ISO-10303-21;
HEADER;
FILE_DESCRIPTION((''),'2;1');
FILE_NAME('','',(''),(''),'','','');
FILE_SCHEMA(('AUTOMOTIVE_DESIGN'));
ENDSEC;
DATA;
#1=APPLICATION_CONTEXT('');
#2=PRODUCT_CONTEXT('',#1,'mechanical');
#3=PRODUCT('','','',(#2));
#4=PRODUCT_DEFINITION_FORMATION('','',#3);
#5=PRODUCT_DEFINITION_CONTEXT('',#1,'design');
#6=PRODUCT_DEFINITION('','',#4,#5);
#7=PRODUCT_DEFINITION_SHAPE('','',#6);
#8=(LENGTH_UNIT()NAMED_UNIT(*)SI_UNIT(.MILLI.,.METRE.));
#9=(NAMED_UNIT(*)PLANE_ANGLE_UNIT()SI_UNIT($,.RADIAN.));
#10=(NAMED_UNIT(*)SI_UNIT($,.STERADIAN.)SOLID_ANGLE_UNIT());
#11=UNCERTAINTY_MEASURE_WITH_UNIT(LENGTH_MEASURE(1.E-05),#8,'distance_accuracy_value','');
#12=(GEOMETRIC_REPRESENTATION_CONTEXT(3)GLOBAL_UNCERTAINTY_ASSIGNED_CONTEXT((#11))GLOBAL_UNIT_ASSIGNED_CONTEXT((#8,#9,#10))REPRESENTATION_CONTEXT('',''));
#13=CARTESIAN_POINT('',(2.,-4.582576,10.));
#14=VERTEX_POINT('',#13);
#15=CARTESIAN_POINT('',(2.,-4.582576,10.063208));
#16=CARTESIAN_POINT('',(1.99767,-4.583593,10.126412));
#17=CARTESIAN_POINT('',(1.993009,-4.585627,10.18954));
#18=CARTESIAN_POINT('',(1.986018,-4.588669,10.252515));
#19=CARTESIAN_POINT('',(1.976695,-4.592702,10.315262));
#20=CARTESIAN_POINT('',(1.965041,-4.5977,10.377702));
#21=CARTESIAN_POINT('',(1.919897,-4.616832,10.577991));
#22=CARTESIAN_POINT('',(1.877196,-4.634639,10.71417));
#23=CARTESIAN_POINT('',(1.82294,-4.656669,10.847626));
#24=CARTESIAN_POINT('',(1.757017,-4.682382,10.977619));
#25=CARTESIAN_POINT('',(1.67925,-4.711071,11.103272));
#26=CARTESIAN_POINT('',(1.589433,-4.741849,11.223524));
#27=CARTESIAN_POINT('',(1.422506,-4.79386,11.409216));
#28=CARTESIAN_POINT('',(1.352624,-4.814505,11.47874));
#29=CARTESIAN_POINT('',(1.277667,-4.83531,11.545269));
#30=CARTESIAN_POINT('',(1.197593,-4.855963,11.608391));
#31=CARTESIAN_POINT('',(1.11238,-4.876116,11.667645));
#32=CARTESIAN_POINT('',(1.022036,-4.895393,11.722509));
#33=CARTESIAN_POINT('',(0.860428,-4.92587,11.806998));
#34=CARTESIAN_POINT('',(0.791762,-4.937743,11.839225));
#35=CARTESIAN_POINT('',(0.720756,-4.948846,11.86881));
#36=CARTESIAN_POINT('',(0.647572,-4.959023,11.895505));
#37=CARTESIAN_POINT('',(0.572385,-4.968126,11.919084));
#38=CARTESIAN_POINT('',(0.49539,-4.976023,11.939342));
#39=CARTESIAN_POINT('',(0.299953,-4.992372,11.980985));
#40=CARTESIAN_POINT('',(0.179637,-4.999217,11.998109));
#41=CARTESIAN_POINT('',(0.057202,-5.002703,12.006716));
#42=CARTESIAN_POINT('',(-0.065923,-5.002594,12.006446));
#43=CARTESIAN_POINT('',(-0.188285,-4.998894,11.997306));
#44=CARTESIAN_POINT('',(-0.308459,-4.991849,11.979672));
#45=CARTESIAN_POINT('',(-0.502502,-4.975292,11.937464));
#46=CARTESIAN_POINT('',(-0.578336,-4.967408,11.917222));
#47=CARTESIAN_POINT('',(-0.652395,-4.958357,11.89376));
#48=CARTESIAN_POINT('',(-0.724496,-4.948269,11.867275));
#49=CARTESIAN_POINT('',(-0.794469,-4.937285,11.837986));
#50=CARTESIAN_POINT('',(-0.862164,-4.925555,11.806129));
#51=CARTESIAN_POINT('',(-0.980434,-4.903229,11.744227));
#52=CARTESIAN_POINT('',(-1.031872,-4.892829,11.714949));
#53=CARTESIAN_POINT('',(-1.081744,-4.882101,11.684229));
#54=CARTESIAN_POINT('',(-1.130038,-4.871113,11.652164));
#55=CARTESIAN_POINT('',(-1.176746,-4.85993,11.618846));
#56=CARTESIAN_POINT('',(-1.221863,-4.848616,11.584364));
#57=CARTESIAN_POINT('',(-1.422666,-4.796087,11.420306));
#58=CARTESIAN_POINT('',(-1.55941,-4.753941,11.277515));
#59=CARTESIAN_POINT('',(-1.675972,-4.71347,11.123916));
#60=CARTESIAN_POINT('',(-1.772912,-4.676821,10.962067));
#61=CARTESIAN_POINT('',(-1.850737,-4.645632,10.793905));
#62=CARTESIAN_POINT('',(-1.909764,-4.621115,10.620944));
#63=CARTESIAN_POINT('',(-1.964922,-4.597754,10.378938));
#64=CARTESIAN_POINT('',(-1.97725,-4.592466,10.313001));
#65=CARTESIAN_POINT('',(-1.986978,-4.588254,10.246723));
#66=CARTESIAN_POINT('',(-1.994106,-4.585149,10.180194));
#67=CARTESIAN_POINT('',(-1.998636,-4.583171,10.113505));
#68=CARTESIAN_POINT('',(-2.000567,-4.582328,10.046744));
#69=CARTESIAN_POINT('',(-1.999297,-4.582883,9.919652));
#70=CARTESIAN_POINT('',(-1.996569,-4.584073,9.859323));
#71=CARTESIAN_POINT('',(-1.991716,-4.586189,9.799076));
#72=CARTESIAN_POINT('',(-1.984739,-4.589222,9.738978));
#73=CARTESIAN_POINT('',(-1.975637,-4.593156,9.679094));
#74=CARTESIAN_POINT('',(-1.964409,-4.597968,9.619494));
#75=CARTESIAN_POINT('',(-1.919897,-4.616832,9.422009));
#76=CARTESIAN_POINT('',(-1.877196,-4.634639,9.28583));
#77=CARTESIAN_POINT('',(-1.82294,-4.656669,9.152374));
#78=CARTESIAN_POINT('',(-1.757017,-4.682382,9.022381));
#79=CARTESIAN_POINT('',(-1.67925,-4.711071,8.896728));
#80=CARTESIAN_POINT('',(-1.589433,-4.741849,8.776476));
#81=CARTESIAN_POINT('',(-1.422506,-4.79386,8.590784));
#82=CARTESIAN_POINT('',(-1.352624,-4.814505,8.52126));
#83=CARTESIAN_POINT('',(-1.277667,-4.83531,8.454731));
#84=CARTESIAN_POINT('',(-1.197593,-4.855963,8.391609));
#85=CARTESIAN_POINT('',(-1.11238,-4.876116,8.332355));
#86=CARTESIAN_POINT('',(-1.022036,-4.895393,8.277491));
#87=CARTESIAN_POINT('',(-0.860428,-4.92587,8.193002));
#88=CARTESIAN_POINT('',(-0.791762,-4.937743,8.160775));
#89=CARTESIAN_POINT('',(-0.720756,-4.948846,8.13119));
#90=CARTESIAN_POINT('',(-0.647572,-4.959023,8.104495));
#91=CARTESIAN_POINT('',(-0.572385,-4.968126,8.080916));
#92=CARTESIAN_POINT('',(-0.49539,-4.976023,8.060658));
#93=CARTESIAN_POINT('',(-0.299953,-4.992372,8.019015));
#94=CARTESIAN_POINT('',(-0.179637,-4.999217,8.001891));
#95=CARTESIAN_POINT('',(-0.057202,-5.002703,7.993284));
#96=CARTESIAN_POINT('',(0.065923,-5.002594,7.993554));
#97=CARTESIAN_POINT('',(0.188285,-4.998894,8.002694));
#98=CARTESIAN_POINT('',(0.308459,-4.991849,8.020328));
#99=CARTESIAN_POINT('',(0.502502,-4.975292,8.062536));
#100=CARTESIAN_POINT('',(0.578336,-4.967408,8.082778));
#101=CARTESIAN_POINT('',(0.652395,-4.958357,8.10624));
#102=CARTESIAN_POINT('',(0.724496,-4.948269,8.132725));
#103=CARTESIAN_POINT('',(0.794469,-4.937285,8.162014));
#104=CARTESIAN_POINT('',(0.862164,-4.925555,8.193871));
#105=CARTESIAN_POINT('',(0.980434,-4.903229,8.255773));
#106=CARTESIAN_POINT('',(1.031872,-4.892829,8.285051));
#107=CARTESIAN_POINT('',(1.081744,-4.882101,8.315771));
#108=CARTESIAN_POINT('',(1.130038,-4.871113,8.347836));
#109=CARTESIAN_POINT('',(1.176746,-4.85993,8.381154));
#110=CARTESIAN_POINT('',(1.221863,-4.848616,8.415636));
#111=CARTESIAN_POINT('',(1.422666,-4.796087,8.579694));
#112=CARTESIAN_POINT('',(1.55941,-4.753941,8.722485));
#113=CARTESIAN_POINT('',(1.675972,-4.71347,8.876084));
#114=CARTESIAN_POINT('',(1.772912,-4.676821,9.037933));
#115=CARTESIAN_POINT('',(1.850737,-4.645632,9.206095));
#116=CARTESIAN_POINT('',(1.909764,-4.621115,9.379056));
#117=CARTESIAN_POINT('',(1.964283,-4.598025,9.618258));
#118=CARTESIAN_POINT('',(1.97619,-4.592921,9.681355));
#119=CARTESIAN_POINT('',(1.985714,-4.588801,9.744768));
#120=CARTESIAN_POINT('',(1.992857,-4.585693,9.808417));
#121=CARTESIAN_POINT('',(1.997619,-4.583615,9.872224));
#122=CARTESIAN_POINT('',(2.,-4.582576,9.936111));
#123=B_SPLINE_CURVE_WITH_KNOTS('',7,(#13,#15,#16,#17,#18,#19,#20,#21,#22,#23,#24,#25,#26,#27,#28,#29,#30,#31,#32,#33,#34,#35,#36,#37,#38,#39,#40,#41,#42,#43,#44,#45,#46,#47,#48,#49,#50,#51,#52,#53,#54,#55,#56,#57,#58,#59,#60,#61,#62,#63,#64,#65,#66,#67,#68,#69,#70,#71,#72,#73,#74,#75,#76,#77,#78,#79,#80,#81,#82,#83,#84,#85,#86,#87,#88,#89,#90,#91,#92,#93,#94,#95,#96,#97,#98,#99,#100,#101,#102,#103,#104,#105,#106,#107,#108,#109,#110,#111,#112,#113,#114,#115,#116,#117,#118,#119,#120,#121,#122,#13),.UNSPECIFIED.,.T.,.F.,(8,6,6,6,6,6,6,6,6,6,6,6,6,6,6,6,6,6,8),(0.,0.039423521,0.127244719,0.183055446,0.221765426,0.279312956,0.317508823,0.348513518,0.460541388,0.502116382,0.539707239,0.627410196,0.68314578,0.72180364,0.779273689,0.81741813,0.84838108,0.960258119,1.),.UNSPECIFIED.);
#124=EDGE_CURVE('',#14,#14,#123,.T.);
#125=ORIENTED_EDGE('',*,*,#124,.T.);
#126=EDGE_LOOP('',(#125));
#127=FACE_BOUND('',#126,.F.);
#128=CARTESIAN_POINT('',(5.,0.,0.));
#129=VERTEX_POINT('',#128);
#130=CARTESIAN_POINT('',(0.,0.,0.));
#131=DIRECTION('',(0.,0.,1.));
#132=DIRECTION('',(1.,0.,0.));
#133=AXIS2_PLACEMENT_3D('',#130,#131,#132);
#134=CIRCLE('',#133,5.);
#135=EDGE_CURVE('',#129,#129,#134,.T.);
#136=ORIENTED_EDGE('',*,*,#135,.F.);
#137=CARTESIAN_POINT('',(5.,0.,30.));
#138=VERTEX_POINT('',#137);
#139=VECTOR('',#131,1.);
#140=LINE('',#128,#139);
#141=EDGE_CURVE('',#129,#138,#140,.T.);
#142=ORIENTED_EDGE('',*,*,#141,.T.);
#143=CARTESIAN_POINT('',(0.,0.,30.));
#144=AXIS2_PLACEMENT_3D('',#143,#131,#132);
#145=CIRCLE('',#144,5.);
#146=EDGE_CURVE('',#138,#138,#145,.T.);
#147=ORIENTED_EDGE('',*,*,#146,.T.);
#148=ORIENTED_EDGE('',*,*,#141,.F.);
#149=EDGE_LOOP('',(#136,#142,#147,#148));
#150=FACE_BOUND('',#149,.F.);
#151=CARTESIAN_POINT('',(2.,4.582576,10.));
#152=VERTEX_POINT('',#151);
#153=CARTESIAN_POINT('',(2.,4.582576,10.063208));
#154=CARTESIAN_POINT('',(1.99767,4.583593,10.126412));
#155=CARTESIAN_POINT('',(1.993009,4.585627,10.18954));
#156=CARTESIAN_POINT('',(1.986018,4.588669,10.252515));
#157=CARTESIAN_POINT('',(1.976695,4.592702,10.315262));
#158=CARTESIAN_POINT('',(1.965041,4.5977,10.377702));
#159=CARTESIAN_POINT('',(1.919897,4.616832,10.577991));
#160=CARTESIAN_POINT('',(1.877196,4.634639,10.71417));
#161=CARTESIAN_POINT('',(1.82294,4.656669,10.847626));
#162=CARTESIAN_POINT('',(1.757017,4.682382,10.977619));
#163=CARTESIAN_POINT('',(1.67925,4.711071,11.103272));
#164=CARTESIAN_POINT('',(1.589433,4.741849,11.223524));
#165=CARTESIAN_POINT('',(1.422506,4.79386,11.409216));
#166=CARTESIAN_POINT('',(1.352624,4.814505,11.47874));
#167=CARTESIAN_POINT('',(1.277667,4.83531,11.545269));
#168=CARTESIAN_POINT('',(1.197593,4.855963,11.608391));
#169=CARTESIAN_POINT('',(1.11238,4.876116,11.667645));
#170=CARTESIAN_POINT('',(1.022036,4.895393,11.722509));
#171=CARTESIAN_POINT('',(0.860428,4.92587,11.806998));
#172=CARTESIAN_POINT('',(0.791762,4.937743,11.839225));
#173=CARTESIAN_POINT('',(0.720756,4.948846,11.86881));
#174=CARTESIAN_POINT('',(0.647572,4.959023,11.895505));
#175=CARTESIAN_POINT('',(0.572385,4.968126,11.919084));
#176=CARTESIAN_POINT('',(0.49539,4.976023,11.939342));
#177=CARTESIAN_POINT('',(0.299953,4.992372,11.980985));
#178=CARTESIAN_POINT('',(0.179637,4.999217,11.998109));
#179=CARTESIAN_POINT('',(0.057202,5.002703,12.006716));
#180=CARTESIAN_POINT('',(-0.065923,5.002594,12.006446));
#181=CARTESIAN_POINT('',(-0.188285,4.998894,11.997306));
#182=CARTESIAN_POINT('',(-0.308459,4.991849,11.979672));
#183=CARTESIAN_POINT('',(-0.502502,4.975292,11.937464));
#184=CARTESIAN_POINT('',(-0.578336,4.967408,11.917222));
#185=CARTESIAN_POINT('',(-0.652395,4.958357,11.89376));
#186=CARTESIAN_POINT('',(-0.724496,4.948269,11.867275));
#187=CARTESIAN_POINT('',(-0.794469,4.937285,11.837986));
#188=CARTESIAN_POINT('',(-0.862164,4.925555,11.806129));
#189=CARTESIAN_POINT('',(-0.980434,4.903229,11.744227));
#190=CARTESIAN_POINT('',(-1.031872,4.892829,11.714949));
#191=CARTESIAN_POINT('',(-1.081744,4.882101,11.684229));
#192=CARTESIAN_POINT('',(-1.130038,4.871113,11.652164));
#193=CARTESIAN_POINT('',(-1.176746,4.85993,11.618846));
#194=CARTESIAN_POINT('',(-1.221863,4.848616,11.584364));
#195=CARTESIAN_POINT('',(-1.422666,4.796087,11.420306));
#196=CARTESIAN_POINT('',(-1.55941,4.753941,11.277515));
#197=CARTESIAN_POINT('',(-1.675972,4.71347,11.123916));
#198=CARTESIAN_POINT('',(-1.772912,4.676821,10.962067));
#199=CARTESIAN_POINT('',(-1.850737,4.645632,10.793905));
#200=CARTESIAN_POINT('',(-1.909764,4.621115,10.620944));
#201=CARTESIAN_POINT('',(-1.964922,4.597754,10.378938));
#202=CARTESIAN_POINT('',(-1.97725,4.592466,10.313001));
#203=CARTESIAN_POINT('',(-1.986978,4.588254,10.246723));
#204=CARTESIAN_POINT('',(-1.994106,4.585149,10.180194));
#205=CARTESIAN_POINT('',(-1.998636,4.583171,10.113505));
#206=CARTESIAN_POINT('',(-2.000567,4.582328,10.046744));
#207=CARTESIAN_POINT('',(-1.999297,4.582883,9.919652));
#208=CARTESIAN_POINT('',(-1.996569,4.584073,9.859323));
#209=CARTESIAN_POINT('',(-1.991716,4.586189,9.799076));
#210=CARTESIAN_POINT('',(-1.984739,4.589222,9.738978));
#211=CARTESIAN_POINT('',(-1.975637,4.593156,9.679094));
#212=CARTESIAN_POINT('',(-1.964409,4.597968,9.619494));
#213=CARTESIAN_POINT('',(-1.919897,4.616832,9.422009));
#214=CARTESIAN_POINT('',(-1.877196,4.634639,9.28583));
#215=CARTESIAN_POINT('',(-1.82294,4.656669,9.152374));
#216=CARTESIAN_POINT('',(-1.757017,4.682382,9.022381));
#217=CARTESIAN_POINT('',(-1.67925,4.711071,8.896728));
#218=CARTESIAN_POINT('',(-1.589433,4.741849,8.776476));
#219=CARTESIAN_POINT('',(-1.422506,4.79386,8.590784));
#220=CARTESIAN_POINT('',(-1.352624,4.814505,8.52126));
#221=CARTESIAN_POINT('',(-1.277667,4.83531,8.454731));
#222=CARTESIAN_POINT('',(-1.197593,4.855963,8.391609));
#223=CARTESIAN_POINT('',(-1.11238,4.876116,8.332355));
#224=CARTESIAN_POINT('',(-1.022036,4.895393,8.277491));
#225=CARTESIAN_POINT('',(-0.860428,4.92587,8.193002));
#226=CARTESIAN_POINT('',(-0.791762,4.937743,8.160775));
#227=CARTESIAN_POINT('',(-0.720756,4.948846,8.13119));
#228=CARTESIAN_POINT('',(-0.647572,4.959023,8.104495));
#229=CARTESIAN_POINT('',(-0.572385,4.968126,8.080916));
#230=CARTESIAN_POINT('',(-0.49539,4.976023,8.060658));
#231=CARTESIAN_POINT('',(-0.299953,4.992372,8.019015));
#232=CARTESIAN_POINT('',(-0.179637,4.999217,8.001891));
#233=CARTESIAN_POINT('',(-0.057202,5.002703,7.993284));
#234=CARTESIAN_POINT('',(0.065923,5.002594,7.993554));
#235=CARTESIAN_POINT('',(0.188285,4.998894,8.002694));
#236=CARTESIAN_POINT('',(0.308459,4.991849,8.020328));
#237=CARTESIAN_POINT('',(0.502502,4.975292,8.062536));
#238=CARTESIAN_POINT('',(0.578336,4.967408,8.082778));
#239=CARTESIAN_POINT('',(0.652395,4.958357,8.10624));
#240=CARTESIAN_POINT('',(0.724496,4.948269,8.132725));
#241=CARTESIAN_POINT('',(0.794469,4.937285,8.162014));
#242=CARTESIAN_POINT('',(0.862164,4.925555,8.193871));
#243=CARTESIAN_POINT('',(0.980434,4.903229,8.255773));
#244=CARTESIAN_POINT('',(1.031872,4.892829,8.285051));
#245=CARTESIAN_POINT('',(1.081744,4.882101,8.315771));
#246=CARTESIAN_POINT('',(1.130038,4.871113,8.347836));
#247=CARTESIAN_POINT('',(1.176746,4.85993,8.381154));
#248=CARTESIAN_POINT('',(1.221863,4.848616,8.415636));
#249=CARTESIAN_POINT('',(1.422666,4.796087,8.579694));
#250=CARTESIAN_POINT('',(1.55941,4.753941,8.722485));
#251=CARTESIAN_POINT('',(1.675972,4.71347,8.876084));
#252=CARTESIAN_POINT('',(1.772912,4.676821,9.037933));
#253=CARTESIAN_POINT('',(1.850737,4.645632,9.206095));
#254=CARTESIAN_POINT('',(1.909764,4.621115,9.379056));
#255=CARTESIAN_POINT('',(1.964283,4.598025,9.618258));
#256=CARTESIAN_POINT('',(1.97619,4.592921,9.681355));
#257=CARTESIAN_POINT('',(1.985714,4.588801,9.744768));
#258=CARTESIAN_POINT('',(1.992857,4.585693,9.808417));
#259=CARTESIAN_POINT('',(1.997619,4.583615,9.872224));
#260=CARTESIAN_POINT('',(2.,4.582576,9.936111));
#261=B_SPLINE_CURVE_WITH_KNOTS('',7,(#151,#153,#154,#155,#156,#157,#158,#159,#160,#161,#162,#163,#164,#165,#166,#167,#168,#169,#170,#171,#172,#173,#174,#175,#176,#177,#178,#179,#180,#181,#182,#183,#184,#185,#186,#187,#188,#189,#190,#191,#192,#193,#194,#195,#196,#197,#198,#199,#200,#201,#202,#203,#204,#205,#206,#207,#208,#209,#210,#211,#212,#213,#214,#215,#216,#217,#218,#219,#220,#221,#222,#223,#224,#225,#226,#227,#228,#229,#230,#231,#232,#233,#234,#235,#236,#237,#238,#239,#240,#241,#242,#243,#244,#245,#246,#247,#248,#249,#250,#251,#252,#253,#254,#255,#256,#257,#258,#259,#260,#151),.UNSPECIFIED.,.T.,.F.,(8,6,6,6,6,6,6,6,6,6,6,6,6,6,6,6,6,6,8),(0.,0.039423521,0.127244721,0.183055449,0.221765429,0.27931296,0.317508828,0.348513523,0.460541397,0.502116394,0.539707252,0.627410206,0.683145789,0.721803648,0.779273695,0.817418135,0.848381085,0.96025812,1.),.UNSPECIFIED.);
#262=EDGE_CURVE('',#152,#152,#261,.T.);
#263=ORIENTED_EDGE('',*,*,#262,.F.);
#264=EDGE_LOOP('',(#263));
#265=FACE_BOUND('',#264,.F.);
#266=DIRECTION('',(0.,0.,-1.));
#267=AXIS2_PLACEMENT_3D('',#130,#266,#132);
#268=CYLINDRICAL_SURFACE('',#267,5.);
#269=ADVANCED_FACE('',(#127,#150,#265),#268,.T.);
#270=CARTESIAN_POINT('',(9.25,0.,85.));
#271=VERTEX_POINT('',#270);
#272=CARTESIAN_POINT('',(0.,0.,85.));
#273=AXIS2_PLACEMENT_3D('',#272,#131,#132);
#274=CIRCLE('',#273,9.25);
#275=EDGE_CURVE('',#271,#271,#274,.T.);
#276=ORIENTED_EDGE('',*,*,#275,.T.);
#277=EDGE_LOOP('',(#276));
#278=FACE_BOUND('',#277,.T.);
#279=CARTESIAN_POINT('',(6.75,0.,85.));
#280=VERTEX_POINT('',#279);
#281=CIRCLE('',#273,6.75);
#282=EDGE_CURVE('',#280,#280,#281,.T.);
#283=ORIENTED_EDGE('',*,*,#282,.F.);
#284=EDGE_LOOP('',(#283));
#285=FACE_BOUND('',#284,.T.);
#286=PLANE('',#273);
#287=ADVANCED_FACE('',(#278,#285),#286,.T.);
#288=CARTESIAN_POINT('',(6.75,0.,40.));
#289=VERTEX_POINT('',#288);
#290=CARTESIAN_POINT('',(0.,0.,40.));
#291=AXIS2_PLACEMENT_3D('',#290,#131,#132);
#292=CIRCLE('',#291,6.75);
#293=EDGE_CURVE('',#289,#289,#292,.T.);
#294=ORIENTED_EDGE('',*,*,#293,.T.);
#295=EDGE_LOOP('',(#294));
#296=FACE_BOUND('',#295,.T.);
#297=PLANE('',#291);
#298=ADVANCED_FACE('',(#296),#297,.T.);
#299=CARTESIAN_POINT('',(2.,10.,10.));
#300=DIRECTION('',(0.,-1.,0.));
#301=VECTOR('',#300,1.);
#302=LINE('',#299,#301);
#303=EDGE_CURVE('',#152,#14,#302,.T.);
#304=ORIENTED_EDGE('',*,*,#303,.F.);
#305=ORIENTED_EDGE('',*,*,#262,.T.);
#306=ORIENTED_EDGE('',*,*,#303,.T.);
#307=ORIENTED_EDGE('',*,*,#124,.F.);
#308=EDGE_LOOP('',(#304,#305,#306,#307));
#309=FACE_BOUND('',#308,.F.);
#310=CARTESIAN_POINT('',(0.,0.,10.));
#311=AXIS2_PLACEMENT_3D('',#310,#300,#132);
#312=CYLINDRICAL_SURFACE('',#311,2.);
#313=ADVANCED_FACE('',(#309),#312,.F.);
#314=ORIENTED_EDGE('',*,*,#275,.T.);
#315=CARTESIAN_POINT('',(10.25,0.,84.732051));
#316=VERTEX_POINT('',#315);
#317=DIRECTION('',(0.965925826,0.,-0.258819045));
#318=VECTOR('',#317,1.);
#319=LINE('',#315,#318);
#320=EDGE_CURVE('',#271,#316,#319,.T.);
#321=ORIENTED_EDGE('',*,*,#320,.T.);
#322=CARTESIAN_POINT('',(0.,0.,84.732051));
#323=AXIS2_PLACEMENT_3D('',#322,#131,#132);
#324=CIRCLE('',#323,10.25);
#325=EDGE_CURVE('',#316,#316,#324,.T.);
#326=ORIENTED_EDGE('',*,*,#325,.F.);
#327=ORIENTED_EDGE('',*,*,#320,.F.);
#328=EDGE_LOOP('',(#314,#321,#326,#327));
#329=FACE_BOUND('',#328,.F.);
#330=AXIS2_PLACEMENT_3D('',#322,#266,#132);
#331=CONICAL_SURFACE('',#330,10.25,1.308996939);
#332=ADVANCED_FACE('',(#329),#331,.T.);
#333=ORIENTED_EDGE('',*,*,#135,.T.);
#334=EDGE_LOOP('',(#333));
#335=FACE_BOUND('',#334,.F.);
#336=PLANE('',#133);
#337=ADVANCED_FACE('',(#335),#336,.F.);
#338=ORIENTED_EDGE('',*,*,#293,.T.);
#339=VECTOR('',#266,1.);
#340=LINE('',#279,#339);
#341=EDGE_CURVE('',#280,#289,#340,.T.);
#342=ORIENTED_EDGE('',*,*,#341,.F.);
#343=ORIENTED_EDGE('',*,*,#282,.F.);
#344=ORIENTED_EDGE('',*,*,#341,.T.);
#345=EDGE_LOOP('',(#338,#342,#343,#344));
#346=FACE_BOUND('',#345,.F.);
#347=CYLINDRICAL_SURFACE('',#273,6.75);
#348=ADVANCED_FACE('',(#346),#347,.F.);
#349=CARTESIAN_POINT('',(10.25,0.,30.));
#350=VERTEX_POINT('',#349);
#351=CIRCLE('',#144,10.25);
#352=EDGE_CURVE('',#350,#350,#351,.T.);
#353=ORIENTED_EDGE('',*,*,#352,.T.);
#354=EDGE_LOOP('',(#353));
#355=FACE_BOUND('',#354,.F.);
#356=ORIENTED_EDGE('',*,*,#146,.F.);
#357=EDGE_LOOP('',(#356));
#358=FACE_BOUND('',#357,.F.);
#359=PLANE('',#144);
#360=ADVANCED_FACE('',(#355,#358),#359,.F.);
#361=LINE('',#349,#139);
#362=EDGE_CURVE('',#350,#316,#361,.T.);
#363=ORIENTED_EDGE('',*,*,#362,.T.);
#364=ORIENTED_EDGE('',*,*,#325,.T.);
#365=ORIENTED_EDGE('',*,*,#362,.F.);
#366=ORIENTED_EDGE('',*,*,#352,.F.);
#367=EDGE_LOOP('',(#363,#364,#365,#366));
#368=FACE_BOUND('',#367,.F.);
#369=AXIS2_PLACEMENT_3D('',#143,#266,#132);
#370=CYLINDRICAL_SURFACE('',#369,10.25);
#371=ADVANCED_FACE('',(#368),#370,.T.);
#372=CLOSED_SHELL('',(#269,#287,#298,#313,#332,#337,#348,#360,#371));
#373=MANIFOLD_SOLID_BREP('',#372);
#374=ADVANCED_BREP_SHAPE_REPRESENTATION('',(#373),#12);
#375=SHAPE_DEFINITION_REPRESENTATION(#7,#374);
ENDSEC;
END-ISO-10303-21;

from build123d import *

# Parameters (mm, degrees)
F0_R     = 5
F1_DEPTH = 30
F2_R     = 10.25
F3_DEPTH = 55
F4_R     = 6.75
F5_DEPTH = 45
F6_SIZE2 = 0.2679491924
F6_SIZE  = 1
F7_R     = 2
F8_DEPTH = 10


with BuildPart() as f1:
    # F0 (on Top) → F1 (new body)
    with BuildSketch(Plane.XY):
        Circle(F0_R)
    extrude(amount=F1_DEPTH)

    # F2 (on face) → F3 (join)
    with BuildSketch(Plane.XY.offset(30)):
        Circle(F2_R)
    extrude(amount=F3_DEPTH)

    # F4 (on face) → F5 (cut)
    with BuildSketch(Plane.XY.offset(85)):
        Circle(F4_R)
    extrude(amount=-F5_DEPTH, mode=Mode.SUBTRACT)

    # F6
    f6_edges = [f1.edges().sort_by_distance(p)[0] for p in [
        (-10.25, 0, 85),
    ]]
    f6_side = f1.faces().sort_by_distance((-9.960086, 0, 85))[0]
    chamfer(f6_edges, length=F6_SIZE, length2=F6_SIZE2, reference=f6_side)

    # F7 (on Front) → F8 (cut, symmetric)
    with BuildSketch(Plane.XZ):
        with Locations((0, 10)):
            Circle(F7_R)
    extrude(amount=F8_DEPTH, both=True, mode=Mode.SUBTRACT)


solid = f1.part
